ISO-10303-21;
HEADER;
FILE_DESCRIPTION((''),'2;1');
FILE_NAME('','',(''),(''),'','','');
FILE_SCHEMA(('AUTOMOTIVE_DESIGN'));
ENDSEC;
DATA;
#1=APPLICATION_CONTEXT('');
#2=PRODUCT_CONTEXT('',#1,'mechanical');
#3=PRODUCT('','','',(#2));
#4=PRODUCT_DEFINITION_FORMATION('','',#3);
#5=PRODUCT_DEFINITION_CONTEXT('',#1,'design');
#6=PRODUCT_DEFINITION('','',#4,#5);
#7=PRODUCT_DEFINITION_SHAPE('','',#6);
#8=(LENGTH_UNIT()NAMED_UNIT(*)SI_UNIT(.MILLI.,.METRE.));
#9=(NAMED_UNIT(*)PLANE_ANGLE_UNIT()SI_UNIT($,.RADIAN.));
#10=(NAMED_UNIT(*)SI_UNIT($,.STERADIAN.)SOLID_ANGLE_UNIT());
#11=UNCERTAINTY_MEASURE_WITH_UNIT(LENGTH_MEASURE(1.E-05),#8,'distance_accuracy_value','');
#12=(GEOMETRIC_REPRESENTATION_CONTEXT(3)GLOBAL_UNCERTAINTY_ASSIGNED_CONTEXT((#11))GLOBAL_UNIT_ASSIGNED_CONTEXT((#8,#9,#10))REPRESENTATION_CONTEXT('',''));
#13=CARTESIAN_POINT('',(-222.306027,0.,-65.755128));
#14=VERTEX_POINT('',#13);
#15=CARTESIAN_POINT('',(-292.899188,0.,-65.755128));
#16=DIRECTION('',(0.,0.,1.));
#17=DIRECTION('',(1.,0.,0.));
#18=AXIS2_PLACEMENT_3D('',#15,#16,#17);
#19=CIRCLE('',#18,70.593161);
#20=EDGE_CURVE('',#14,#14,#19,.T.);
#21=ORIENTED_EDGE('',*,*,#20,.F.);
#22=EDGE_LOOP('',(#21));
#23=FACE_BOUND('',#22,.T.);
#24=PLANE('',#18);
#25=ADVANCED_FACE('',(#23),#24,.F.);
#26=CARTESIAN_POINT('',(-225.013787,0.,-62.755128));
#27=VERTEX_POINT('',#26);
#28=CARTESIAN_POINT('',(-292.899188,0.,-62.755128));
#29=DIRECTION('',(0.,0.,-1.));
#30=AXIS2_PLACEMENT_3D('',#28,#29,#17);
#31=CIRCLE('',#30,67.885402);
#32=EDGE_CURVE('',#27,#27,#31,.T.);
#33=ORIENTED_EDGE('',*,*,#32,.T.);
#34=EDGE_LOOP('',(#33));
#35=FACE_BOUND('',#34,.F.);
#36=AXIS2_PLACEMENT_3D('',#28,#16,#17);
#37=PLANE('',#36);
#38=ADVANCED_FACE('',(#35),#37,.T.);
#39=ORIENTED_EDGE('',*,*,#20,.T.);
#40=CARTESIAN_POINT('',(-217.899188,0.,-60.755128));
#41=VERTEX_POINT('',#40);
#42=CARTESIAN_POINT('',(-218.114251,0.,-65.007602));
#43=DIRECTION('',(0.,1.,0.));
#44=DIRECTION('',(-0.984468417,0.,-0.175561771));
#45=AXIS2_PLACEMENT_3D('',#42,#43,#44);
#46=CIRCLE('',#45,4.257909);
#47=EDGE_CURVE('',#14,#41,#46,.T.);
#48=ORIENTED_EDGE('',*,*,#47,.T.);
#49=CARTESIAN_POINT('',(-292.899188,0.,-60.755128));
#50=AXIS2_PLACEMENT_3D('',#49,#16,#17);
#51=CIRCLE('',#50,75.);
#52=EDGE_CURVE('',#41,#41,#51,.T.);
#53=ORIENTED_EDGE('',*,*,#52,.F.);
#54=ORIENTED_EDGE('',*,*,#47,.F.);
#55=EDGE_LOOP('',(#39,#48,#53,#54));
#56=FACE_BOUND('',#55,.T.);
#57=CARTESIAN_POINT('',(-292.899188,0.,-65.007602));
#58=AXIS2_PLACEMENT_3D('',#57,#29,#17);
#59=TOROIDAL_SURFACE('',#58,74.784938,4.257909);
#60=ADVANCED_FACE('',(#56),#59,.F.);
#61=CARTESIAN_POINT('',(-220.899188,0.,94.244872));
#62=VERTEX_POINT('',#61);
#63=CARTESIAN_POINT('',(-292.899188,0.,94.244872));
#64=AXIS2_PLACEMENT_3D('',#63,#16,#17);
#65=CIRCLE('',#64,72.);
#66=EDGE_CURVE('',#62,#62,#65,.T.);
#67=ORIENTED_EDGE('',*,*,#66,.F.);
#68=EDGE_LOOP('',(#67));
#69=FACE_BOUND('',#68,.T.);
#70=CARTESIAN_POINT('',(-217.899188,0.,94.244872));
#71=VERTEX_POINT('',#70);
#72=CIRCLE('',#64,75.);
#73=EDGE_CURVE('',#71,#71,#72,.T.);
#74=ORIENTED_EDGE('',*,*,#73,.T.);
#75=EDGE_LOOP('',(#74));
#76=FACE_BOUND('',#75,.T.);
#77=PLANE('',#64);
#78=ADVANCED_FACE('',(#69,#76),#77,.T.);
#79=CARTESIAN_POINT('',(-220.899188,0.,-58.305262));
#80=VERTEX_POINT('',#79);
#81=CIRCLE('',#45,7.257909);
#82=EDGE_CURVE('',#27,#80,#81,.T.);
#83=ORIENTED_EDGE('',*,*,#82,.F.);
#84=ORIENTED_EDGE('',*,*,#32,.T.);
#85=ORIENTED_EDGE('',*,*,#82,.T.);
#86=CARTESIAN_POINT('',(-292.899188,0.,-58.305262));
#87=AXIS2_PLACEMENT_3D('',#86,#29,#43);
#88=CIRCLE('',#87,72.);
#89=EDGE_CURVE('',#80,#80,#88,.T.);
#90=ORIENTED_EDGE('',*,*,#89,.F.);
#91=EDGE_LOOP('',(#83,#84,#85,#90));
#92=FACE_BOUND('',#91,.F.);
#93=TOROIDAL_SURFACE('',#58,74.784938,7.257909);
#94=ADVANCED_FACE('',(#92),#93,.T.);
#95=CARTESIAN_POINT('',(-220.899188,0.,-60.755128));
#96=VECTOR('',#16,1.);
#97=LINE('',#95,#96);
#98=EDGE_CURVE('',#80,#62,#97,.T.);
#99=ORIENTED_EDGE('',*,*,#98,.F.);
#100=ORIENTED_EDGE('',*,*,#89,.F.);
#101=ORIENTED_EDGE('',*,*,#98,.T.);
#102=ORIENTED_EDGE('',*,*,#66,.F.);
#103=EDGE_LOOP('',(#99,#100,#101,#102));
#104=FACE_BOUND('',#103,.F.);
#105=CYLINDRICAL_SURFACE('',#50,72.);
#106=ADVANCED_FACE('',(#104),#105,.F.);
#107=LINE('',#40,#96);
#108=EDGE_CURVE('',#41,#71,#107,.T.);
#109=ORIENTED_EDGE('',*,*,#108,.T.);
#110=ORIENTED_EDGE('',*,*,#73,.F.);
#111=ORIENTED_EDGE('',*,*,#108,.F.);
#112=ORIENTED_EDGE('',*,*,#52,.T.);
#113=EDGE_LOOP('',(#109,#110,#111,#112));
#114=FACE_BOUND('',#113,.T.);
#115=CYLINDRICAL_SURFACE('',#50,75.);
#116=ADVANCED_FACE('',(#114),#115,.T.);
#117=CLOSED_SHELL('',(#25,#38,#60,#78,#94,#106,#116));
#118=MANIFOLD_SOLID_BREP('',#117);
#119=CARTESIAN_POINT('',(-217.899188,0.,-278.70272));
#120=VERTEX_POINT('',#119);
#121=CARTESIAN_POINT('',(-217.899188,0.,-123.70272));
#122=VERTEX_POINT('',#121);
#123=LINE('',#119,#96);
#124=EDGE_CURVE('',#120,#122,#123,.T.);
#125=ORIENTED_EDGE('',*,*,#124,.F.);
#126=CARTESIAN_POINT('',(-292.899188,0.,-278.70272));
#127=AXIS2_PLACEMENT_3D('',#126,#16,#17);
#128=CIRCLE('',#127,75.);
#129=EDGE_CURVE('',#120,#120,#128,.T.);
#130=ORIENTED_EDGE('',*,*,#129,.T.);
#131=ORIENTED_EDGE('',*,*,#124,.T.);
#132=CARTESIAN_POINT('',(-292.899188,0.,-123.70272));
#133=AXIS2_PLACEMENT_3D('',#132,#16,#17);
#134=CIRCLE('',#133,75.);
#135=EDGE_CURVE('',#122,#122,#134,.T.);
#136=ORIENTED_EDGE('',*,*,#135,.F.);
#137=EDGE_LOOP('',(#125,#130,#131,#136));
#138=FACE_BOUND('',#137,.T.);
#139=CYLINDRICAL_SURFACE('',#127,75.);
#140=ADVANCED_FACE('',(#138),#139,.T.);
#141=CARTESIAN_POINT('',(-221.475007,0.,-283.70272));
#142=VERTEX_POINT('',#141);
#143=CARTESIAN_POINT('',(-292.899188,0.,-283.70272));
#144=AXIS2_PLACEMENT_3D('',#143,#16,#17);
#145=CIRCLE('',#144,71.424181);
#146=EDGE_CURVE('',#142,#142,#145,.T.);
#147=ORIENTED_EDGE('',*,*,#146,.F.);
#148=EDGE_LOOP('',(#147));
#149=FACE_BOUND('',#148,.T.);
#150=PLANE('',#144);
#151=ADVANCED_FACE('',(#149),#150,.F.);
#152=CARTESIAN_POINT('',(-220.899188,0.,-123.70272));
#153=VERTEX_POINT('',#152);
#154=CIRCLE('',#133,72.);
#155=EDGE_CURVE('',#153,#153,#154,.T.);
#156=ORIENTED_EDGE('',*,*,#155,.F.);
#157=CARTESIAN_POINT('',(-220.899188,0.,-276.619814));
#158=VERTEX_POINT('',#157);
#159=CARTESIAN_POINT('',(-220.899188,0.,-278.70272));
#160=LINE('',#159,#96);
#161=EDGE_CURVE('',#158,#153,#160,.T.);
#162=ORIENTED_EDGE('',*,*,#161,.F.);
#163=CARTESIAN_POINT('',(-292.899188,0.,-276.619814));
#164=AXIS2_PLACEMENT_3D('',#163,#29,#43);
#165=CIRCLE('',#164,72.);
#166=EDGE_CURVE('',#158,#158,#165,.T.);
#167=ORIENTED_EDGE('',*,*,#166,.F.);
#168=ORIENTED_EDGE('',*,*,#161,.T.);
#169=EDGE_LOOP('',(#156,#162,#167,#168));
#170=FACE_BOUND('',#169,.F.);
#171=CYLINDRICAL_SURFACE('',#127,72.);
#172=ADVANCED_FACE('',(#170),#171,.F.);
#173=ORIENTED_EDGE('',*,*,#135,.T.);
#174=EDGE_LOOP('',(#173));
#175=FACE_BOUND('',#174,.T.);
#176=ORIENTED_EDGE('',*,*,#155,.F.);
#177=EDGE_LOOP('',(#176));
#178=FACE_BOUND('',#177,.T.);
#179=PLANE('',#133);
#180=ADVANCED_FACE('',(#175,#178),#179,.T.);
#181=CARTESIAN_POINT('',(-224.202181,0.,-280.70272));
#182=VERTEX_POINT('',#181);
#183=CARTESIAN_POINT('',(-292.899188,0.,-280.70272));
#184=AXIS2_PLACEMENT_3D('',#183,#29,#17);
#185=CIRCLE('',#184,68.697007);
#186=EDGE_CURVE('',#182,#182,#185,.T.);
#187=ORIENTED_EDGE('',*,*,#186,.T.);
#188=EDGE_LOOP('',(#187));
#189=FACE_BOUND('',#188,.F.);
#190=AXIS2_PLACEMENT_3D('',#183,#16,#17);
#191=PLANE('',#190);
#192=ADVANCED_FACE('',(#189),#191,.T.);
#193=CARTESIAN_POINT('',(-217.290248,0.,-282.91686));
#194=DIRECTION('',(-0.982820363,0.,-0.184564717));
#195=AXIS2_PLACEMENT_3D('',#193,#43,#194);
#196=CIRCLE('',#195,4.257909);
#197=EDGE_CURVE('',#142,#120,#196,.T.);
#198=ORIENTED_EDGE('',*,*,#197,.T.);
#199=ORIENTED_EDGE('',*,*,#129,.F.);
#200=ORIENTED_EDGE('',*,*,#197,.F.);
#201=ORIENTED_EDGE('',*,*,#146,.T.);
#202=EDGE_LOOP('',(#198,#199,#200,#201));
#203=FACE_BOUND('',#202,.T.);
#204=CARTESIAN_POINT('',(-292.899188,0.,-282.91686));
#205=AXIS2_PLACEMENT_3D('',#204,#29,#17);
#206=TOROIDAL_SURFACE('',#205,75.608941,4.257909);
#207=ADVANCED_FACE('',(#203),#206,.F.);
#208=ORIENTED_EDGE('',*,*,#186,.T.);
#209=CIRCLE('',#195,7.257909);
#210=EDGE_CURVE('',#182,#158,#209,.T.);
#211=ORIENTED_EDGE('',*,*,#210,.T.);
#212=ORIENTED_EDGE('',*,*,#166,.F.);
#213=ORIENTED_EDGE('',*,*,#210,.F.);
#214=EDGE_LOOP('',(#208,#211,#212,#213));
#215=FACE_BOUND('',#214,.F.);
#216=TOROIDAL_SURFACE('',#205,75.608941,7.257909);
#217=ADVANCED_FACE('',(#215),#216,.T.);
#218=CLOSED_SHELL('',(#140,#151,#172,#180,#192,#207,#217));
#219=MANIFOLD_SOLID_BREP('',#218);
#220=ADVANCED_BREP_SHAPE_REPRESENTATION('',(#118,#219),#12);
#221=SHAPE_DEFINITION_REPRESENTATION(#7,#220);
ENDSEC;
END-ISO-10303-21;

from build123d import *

# Parameters (mm, degrees)
F2_T = -3
F4_T = -3


with BuildPart() as f1:
    # F0 (on Front) → F1 (revolve)
    with BuildSketch(Plane.XZ):
        with BuildLine():
            Line((-217.8991883993, -60.755127635), (-217.8991883993, 94.244872365))
            Line((-217.8991883993, 94.244872365), (-292.8991883993, 94.244872365))
            Line((-292.8991883993, 94.244872365), (-292.8991883993, -65.755127635))
            Line((-292.8991883993, -65.755127635), (-222.3060273323, -65.755127635))
            ThreePointArc((-222.3060273323, -65.755127635), (-221.3085525164, -62.1922468676), (-217.8991883993, -60.755127635))
        make_face()
    revolve(axis=Axis((-292.8991883993, 0, 14.244872365), (0, 0, 1)))

    # F2
    f2_openings = [f1.faces().sort_by_distance(p)[0] for p in [
        (-292.899188, 0, 94.244872),
    ]]
    offset(amount=F2_T, openings=f2_openings)


with BuildPart() as f3:
    # F0 (on Front) → F3 (revolve)
    with BuildSketch(Plane.XZ):
        with BuildLine():
            Line((-217.8991883993, -278.7027198076), (-217.8991883993, -123.7027198076))
            Line((-217.8991883993, -123.7027198076), (-292.8991883993, -123.7027198076))
            Line((-292.8991883993, -123.7027198076), (-292.8991883993, -283.7027198076))
            Line((-292.8991883993, -283.7027198076), (-221.475007263, -283.7027198076))
            ThreePointArc((-221.475007263, -283.7027198076), (-220.7536117958, -280.439987657), (-217.8991883993, -278.7027198076))
        make_face()
    revolve(axis=Axis((-292.8991883993, 0, -203.7027198076), (0, 0, 1)))

    # F4
    f4_openings = [f3.faces().sort_by_distance(p)[0] for p in [
        (-292.899188, 0, -123.70272),
    ]]
    offset(amount=F4_T, openings=f4_openings)


solid = Compound([f1.part, f3.part])
